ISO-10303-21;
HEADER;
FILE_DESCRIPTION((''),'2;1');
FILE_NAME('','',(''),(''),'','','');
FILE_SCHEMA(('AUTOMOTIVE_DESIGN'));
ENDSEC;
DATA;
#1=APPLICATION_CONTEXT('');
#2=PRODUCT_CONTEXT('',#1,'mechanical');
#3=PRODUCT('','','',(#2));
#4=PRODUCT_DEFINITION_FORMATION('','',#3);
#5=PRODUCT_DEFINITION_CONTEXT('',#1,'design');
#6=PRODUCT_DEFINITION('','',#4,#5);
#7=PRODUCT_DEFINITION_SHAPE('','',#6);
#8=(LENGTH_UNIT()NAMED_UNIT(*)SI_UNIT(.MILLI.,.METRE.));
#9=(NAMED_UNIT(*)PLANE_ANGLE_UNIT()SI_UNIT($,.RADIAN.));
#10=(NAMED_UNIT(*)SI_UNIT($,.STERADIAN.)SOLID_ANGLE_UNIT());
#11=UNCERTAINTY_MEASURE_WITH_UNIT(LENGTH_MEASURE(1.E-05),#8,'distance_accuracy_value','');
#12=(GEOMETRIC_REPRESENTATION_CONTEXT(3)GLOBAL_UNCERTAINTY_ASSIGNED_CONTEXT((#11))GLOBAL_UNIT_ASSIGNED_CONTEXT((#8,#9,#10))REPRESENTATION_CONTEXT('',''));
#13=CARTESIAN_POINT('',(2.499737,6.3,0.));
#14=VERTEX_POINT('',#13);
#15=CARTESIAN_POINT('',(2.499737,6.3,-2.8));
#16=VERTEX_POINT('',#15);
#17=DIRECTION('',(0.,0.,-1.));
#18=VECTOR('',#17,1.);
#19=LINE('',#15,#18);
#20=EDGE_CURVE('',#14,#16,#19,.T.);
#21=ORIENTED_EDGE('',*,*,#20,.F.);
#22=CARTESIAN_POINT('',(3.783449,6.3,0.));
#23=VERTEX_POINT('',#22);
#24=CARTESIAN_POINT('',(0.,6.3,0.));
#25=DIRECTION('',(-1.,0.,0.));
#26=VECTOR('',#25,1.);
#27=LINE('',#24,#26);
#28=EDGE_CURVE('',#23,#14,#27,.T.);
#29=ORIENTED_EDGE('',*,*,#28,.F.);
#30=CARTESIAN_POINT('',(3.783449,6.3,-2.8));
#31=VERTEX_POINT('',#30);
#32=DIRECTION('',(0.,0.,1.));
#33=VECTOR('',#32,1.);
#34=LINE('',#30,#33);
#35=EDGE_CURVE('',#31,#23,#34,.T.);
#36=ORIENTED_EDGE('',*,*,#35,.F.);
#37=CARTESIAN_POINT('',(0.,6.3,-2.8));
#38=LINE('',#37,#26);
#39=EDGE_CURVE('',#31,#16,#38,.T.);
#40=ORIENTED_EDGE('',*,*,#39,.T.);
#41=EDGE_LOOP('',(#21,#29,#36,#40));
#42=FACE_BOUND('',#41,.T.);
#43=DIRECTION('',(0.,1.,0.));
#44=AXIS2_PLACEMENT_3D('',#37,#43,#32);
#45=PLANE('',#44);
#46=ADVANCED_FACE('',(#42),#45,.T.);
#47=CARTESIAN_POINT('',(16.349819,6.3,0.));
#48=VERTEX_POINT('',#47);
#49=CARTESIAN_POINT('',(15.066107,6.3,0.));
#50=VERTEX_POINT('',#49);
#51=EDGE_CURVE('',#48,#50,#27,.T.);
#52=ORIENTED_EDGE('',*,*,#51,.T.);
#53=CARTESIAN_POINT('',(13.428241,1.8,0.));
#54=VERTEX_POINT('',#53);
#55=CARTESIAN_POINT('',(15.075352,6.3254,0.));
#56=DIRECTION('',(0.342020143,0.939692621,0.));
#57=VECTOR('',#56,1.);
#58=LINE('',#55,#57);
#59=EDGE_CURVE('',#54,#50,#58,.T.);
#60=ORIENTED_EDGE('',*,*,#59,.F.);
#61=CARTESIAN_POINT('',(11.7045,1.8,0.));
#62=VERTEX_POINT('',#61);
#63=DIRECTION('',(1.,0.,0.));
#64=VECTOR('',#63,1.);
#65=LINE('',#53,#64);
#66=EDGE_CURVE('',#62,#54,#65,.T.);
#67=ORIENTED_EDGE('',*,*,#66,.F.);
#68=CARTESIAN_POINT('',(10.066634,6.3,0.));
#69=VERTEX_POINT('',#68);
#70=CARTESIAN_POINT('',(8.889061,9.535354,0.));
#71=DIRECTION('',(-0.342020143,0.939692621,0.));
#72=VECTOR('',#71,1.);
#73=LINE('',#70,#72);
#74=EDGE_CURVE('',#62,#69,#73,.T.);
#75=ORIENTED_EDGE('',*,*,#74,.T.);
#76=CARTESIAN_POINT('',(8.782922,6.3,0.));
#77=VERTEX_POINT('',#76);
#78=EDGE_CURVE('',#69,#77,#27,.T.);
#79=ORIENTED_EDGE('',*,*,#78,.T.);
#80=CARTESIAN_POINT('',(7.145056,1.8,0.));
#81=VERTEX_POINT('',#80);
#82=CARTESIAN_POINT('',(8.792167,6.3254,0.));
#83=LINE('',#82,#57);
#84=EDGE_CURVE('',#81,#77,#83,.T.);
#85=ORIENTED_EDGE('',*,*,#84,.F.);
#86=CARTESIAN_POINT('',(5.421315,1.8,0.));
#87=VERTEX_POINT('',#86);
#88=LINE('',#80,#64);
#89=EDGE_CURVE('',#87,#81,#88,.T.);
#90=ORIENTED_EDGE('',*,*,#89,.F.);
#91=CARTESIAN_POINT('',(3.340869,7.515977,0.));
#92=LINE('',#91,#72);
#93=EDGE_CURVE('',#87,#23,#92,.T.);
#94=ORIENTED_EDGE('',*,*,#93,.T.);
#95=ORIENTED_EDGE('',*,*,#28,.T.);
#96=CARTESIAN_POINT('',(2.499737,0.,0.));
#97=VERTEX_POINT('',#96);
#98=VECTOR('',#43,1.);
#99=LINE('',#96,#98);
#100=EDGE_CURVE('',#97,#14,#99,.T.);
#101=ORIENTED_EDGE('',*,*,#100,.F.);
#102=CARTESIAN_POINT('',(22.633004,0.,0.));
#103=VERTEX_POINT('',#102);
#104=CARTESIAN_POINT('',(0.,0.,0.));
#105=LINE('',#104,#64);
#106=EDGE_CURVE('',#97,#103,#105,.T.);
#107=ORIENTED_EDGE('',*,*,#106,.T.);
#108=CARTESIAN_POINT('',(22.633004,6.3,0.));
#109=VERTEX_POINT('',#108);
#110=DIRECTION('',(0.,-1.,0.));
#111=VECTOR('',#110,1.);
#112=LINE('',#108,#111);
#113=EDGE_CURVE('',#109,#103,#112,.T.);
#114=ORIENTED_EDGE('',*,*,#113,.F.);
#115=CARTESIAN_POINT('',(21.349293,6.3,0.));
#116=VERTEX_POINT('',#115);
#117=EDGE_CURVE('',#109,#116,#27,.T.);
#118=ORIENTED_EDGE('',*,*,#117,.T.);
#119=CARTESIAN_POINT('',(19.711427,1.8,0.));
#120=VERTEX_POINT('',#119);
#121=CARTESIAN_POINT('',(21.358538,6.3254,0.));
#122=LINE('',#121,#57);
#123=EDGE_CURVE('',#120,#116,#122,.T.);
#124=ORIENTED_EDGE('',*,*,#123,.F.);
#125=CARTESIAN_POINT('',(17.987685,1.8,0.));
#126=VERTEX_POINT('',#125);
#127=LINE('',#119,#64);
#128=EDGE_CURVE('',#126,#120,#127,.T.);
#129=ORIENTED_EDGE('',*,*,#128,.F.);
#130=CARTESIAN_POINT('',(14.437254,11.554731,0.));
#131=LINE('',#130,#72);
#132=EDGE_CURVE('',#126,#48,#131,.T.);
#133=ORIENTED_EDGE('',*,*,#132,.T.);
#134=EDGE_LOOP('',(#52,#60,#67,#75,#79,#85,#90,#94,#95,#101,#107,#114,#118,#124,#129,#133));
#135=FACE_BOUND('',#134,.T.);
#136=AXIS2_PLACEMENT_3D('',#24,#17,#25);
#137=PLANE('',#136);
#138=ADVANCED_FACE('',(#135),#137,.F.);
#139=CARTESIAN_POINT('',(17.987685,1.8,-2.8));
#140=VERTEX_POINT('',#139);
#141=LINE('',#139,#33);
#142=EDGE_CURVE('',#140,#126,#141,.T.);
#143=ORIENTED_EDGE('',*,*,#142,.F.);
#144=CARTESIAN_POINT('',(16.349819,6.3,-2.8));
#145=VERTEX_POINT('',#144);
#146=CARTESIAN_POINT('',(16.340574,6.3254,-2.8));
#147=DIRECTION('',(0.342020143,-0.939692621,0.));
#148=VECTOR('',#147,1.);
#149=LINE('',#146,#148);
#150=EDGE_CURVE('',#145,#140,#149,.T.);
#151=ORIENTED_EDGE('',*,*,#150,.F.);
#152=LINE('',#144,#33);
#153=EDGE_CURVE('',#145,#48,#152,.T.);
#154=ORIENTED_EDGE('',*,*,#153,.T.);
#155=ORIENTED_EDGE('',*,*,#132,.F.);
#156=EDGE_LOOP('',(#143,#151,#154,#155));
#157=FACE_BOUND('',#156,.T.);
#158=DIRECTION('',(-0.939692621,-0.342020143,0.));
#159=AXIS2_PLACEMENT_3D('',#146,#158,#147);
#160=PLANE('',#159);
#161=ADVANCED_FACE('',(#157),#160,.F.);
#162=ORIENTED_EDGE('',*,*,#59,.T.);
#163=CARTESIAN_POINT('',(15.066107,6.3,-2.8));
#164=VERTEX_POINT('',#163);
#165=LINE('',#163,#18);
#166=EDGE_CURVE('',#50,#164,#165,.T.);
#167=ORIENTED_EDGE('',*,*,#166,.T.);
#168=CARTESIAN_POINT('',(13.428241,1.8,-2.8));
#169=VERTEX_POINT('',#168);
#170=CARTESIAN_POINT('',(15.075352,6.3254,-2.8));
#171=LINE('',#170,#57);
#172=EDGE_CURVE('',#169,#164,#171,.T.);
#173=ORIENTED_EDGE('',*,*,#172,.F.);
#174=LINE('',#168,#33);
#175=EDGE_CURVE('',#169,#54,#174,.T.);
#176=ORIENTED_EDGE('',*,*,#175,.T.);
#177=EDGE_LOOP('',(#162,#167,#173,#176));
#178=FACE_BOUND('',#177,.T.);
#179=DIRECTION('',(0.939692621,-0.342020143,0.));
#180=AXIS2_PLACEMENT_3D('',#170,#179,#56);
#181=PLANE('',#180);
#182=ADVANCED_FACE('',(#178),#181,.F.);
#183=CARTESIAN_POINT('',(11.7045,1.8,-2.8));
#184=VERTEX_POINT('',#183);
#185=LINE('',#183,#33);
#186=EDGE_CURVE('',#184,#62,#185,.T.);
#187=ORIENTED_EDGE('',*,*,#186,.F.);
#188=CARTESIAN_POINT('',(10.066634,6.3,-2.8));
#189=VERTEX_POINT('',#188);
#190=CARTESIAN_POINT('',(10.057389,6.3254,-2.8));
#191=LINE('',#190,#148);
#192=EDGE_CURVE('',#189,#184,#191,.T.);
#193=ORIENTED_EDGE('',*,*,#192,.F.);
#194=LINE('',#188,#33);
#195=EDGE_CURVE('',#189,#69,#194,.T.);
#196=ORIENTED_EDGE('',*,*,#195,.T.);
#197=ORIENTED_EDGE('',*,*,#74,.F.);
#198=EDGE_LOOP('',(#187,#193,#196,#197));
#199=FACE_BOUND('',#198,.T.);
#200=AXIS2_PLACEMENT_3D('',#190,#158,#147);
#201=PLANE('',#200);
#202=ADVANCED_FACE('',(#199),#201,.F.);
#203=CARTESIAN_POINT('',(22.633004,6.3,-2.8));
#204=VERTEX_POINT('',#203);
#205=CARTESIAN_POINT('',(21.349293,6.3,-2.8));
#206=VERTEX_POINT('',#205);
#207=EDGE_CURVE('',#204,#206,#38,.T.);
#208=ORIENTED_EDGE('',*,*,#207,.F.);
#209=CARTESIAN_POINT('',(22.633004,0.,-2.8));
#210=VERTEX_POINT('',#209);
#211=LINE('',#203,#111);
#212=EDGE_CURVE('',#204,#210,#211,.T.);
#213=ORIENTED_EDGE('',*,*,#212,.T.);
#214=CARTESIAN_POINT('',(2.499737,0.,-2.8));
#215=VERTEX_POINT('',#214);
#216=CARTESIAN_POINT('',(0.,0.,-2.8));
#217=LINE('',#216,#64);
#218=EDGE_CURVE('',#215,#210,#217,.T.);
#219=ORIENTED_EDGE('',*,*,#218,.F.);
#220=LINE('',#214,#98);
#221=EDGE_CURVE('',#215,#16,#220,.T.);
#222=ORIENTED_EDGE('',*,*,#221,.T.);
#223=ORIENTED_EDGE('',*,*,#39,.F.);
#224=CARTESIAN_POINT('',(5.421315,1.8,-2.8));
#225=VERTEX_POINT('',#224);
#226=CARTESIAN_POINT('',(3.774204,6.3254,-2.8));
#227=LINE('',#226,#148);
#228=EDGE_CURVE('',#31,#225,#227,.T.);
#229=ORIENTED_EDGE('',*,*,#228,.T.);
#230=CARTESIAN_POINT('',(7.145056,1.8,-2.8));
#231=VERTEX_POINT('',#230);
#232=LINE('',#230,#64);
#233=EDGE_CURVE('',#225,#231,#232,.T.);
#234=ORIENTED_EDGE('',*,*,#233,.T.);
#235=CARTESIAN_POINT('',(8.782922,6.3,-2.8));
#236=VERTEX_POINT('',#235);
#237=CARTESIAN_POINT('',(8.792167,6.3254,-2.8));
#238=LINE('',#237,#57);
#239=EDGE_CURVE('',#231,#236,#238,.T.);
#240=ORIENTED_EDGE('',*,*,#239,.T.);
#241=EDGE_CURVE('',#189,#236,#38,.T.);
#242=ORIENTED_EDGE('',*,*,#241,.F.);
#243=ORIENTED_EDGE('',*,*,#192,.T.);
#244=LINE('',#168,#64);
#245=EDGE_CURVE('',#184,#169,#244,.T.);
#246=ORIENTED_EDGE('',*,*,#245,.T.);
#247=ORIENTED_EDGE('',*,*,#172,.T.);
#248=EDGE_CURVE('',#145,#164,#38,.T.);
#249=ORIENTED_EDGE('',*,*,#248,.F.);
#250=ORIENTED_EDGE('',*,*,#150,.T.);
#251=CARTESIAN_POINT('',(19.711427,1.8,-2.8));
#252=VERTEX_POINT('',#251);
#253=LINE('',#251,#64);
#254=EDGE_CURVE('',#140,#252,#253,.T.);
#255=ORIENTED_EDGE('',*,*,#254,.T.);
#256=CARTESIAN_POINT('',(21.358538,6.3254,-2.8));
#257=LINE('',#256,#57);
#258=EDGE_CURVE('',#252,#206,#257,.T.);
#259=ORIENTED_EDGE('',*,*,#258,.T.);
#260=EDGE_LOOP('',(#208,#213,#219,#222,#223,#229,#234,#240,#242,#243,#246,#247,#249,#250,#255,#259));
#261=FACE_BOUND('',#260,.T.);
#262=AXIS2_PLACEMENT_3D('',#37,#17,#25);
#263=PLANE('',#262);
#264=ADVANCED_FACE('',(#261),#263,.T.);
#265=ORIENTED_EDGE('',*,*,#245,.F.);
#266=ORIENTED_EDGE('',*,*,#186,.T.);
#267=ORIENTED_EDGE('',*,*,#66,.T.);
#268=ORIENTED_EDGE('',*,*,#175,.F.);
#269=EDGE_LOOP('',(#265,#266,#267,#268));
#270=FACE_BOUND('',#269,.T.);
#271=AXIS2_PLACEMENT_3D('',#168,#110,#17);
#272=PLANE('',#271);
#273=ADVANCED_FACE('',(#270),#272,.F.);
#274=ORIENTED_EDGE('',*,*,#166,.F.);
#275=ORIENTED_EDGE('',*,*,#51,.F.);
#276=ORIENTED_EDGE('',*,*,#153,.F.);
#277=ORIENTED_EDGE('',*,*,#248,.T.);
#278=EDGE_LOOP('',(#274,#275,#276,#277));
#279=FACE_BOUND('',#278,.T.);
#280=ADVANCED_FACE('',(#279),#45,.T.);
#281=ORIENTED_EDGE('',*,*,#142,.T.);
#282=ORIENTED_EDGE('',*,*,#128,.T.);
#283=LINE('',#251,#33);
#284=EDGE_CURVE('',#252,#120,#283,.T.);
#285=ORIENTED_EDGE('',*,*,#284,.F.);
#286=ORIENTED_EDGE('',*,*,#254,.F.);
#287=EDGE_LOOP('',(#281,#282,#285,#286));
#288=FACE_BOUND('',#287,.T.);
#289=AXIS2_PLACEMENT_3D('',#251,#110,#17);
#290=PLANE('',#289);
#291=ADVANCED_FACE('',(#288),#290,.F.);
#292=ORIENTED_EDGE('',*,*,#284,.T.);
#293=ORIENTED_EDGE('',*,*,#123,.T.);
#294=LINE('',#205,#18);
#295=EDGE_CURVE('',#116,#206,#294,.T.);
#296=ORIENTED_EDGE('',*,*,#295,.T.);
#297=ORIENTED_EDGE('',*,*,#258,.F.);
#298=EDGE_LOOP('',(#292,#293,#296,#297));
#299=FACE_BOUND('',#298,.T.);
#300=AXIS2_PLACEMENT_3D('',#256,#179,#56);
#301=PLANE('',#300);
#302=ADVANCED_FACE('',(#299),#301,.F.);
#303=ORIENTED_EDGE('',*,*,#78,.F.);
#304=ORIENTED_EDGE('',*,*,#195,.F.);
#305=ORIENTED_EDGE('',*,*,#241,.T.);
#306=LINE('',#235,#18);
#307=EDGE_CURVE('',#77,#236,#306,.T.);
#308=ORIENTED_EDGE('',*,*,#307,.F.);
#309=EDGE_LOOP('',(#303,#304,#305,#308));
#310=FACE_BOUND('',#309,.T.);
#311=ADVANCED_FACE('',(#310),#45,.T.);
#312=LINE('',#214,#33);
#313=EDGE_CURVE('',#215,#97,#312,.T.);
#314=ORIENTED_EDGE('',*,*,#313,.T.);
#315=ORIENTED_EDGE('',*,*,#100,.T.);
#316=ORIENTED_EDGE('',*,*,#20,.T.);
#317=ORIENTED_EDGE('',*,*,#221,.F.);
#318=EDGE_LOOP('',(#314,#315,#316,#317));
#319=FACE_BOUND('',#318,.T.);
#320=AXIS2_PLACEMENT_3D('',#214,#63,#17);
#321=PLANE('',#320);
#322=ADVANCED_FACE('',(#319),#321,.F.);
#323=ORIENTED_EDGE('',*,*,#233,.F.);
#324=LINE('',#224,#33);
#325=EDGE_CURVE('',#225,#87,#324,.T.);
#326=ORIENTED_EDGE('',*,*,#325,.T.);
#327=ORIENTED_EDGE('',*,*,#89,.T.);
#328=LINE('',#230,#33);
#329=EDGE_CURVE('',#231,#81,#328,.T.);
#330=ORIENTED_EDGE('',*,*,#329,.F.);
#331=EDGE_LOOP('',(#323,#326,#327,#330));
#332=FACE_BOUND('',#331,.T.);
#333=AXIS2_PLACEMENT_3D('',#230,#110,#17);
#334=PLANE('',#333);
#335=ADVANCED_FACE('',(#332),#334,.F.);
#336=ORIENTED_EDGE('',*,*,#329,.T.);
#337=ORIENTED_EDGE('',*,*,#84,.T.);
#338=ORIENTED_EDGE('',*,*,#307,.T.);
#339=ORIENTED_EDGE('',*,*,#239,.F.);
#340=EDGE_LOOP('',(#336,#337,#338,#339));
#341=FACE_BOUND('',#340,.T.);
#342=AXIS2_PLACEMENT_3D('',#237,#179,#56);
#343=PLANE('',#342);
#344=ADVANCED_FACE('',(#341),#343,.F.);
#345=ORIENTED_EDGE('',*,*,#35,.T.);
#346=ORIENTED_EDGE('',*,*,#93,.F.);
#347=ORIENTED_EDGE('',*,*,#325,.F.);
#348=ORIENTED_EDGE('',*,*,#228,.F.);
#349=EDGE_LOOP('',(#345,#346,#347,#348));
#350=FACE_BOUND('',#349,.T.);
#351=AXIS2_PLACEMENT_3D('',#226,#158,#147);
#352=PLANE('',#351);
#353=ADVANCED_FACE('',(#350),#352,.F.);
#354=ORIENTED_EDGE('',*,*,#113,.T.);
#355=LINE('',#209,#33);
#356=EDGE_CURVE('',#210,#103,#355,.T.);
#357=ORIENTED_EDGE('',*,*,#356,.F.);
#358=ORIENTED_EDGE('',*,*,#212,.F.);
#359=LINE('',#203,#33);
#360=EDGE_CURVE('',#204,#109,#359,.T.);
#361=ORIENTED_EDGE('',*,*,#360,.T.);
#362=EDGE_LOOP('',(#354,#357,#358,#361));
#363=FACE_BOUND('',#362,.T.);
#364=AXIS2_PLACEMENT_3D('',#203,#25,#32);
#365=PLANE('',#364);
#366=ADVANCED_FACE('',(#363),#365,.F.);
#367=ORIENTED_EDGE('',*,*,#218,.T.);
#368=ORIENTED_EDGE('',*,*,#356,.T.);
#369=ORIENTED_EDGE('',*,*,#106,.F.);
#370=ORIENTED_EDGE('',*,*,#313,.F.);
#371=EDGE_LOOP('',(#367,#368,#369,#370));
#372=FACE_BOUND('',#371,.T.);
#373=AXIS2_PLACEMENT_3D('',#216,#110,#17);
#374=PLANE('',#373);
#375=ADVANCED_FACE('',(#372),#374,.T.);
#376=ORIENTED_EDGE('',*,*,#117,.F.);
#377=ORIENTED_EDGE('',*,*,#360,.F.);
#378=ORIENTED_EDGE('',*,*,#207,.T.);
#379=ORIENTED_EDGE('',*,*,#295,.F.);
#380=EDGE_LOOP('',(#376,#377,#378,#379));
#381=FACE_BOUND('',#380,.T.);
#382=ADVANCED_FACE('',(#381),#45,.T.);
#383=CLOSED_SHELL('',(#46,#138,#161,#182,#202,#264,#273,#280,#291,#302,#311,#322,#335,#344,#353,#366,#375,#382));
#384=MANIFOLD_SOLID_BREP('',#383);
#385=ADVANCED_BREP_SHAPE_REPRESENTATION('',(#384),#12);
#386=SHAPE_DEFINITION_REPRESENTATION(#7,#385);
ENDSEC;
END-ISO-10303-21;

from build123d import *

# Parameters (mm, degrees)
BLANKSKE_W          = 24
BLANKSKE_H          = 6.3
BLANK_DEPTH         = 2.8
TOOTHCUTSIM_DEPTH   = 25.970582692
TEETHCUTS_COUNT     = 5
TEETHCUTS_PITCH     = 6.2831853
SKETCH_1_W          = 1.366995594
SKETCH_1_H          = 6.3
SKETCH_1_W_2        = 2.499736794
CUT_EXTRUDE_1_DEPTH = 25.970582692


with BuildPart() as part:
    # BlankSke → Blank (new body)
    with BuildSketch(Plane.XY):
        with Locations((12, 3.15)):
            Rectangle(BLANKSKE_W, BLANKSKE_H)
    extrude(amount=-BLANK_DEPTH)

    # TooCutSkeSim → ToothCutSim (cut, through all)
    with BuildSketch(Plane.XY):
        Polygon((0.861870739, 1.8), (-0.861870739, 1.8), (-2.508981637, 6.3254), (2.508981637, 6.3254), align=None)
    toothcutsim = extrude(amount=-TOOTHCUTSIM_DEPTH, mode=Mode.SUBTRACT)

    # TeethCuts: ToothCutSim ×5
    with Locations(*[(i * TEETHCUTS_PITCH, 0, 0) for i in range(1, TEETHCUTS_COUNT)]):
        add(toothcutsim, mode=Mode.SUBTRACT)

    # ｽｹｯﾁ1 → ｶｯﾄ - 押し出し1 (cut, through all)
    with BuildSketch(Plane.XY):
        with Locations((23.316502203, 3.15)):
            Rectangle(SKETCH_1_W, SKETCH_1_H)
        with Locations((1.249868397, 3.15)):
            Rectangle(SKETCH_1_W_2, SKETCH_1_H)
    extrude(amount=-CUT_EXTRUDE_1_DEPTH, mode=Mode.SUBTRACT)


solid = part.part
